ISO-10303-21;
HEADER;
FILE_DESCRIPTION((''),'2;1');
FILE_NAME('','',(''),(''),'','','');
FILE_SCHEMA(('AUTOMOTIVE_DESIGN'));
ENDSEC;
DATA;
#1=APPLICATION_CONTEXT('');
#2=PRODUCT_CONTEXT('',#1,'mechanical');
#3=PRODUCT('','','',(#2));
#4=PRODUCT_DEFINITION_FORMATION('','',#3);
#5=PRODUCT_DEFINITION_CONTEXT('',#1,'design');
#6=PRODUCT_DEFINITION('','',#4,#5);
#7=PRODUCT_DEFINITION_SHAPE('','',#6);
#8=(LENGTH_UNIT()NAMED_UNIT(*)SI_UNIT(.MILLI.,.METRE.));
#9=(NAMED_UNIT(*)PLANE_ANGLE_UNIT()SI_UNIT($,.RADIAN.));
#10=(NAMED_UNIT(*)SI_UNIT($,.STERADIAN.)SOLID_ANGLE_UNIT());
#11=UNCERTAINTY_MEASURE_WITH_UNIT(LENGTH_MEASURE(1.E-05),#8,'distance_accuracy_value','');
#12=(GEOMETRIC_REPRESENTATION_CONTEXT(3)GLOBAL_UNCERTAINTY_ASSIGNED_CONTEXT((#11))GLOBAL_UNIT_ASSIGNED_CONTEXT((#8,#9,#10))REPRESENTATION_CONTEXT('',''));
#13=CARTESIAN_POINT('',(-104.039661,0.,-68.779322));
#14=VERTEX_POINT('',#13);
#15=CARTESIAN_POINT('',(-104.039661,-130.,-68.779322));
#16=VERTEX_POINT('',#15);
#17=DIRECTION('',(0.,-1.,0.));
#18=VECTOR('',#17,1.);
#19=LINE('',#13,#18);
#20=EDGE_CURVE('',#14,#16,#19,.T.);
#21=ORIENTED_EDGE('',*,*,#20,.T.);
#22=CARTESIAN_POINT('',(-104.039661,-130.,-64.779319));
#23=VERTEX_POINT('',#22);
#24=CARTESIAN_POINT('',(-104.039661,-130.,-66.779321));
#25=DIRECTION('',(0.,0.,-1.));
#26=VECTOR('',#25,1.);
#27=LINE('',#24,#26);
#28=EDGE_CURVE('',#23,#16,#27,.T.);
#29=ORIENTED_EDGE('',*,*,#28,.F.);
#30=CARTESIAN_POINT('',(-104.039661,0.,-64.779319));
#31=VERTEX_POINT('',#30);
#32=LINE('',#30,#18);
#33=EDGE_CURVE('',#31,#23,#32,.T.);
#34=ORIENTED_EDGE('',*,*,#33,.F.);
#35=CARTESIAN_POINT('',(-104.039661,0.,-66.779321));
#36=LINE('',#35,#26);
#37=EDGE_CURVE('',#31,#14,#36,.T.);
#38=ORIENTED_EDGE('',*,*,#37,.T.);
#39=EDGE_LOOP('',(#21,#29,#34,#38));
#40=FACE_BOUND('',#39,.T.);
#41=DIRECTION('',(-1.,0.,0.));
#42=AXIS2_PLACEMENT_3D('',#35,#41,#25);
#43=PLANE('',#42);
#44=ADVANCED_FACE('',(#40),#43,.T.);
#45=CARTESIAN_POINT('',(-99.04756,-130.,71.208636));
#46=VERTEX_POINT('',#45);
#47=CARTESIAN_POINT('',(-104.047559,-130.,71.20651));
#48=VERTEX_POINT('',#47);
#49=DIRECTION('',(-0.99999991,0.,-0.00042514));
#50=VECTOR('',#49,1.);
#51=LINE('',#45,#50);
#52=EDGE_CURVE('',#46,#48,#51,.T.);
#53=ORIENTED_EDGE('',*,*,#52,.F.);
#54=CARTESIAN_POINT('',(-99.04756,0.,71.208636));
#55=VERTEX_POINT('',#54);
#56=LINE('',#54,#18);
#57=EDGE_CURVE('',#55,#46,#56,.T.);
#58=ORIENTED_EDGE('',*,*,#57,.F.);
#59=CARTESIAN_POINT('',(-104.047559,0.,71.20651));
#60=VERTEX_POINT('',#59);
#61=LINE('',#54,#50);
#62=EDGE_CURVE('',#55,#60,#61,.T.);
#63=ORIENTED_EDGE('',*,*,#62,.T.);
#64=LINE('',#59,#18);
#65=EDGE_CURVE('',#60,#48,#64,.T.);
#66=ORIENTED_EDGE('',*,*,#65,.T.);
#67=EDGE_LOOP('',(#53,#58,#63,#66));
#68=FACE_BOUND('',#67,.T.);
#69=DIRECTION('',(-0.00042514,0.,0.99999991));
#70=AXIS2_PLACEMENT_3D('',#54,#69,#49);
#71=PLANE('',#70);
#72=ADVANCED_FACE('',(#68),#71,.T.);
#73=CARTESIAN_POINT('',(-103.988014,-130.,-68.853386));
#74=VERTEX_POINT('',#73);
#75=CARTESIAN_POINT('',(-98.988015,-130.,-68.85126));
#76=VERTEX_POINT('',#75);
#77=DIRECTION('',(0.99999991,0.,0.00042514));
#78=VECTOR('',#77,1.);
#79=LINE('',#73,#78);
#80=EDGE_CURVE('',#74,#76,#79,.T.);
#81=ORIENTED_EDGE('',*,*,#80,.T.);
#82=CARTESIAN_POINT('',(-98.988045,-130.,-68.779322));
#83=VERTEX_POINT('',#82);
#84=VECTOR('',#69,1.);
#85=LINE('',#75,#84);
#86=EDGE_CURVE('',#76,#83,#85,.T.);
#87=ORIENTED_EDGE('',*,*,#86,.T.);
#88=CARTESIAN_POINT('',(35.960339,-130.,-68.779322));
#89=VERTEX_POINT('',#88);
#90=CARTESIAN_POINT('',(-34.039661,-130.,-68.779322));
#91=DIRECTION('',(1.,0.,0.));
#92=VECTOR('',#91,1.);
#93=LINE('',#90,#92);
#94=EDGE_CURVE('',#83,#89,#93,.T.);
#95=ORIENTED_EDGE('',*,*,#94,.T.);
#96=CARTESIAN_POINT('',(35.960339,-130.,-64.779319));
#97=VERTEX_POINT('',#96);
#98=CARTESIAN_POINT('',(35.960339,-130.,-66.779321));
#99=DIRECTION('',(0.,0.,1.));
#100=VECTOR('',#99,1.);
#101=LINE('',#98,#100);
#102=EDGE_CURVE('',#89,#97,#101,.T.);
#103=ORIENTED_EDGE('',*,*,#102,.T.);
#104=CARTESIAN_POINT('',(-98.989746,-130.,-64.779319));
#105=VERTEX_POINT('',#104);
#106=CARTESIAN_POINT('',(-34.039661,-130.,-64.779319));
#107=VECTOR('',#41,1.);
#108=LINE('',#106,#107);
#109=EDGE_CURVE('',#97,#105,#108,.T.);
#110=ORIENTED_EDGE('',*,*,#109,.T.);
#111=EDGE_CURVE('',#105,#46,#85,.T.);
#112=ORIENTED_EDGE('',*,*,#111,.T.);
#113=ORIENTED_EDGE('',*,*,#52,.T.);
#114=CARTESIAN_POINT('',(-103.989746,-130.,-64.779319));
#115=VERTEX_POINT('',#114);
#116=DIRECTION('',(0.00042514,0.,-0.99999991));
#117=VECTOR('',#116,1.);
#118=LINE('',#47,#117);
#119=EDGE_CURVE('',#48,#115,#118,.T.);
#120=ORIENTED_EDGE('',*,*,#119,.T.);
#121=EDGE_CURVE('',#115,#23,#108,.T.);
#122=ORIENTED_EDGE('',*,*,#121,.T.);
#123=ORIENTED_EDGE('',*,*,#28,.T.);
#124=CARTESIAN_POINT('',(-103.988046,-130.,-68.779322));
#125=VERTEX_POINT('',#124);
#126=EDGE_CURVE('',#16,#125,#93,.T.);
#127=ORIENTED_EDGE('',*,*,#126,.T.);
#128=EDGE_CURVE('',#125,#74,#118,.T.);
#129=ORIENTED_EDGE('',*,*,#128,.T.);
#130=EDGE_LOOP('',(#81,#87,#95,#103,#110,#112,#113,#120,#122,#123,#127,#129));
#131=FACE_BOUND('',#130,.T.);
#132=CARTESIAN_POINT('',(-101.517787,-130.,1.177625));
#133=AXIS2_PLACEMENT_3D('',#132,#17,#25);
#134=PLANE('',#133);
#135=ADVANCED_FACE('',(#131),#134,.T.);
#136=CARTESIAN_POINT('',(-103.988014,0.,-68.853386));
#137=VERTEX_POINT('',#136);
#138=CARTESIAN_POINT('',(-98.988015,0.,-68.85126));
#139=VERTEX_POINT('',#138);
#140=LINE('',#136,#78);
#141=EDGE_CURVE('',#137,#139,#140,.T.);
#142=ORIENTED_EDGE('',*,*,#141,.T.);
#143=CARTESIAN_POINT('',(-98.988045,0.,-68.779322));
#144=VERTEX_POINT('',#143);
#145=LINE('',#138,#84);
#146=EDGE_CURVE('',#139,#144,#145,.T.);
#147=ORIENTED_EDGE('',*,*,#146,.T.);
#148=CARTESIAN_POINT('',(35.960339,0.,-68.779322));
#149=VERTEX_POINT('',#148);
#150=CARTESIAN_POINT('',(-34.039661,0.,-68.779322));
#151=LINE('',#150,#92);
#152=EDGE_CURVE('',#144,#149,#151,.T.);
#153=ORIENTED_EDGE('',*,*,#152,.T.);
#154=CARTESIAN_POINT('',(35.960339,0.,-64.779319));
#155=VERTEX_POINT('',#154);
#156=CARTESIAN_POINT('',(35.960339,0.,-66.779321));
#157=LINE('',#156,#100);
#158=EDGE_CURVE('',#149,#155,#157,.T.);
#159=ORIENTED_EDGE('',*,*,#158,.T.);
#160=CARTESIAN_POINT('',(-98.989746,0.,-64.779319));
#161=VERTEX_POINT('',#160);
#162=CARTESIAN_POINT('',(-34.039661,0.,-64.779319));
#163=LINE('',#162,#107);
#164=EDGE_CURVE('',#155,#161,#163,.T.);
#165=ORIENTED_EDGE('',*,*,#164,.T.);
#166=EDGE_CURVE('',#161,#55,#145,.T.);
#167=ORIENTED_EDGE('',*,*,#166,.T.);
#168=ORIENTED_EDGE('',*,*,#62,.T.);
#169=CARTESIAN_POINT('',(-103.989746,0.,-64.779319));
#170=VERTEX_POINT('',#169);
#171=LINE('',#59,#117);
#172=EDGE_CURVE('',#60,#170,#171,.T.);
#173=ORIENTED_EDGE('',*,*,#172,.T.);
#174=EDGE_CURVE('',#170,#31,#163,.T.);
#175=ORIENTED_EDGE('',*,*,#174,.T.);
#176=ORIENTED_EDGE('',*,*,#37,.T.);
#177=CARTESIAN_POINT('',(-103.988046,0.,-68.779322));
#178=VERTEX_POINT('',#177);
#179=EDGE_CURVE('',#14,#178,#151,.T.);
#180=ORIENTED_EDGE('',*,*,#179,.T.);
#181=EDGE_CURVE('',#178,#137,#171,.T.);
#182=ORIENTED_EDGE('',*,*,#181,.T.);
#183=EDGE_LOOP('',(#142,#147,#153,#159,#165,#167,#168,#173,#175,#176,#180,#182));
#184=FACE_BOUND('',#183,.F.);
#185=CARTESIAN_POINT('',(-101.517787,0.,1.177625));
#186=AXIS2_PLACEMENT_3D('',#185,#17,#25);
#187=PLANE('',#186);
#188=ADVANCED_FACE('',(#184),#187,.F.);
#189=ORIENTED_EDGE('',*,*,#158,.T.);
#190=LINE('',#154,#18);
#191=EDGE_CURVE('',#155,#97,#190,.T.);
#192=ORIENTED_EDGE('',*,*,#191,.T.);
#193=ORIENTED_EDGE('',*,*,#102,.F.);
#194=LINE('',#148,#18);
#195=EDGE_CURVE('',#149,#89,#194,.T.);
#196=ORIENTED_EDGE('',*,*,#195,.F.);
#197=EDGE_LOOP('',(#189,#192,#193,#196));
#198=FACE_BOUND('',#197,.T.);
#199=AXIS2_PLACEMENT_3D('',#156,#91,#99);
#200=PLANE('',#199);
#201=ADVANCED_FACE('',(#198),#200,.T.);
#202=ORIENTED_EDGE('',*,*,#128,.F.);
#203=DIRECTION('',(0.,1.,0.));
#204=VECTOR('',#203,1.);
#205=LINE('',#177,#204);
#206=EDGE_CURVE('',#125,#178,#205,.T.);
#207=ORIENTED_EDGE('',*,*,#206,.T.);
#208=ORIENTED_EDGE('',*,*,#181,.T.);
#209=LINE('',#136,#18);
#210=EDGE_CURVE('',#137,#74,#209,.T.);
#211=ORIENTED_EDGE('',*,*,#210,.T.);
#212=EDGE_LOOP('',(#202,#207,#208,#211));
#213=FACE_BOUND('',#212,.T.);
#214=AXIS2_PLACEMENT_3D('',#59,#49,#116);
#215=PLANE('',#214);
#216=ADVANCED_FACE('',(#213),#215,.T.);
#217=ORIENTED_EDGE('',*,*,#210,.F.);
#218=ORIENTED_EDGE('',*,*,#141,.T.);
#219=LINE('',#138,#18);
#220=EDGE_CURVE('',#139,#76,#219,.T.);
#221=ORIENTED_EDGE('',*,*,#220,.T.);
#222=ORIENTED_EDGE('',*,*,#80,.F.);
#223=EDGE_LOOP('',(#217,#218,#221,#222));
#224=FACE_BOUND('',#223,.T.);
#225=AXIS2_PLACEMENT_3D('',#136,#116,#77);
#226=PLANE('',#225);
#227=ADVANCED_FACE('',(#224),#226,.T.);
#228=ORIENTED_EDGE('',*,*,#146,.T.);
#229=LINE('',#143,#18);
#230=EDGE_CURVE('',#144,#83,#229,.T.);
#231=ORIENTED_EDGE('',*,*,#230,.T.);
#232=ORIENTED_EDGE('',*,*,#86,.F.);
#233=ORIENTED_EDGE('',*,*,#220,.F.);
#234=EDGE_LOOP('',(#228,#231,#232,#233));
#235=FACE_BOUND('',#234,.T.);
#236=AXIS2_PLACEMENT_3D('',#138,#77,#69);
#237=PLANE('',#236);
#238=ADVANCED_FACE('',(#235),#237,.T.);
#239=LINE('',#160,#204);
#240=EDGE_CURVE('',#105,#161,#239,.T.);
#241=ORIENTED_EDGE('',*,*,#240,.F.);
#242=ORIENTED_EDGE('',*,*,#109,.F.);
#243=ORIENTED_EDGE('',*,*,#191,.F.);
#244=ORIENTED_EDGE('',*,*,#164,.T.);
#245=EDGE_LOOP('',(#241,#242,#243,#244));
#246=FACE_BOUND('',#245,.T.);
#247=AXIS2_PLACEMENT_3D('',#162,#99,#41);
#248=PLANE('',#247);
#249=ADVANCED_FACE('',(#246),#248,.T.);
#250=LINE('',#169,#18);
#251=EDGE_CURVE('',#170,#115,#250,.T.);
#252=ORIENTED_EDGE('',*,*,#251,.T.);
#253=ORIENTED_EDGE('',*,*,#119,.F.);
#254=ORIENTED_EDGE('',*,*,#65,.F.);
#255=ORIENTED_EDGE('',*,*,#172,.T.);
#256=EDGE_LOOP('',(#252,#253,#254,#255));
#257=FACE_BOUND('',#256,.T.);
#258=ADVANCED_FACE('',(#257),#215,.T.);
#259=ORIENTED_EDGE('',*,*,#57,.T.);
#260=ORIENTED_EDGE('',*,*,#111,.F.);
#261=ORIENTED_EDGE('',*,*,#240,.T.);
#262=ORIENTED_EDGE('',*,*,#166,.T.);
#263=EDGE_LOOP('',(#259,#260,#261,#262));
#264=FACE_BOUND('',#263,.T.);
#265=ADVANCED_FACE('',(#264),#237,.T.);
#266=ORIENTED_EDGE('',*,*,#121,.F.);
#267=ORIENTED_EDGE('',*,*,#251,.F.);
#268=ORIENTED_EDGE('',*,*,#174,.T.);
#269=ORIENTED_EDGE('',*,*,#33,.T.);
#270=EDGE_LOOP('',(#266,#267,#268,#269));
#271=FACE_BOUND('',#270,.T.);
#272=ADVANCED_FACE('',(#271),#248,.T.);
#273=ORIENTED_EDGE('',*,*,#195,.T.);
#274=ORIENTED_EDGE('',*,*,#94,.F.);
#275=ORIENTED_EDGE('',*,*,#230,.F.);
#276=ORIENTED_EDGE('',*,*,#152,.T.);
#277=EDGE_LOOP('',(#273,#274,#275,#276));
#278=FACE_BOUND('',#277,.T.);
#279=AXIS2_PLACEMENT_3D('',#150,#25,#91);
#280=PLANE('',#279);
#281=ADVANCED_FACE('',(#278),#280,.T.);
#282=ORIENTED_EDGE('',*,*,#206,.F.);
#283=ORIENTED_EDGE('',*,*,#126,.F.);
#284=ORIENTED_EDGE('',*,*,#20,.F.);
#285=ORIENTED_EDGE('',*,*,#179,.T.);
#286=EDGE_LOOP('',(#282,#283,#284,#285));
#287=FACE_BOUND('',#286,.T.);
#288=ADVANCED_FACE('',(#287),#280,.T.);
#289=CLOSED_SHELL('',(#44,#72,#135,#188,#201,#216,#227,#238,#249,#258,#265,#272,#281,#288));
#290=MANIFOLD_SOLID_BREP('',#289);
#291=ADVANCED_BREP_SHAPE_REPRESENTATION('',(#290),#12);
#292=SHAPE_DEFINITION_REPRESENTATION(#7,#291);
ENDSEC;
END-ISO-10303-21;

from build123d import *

# Parameters (mm, degrees)
F0_W = 140
F0_H = 4.0000033164


with BuildPart() as f3:
    # F3: sweep along a path in F1
    with BuildLine(Plane.YZ) as f3_path:
        Line((0, -86.072042906), (-130, -86.072042906))
    # F0 (on Front) → F3 (sweep)
    with BuildSketch(Plane.XZ):
        with Locations((-34.0396610475, -66.7793205273)):
            Rectangle(F0_W, F0_H)
    sweep(path=f3_path.line)

    # F4: sweep along a path in F4_path
    with BuildLine(Plane(origin=(-104.0396610475, 0, -64.7793188691), x_dir=(0, 1, 0), z_dir=(0, 0, 1))) as f4_path:
        Line((0, 0), (-130, 0))
    # F2 (on Front) → F4 (sweep)
    with BuildSketch(Plane.XZ):
        Polygon((-104.0475592017, 71.206510067), (-103.9880141616, -68.8533857465), (-98.9880146134, -68.8512600475), (-99.0475596536, 71.2086357659), align=None)
    sweep(path=f4_path.line)


solid = f3.part
